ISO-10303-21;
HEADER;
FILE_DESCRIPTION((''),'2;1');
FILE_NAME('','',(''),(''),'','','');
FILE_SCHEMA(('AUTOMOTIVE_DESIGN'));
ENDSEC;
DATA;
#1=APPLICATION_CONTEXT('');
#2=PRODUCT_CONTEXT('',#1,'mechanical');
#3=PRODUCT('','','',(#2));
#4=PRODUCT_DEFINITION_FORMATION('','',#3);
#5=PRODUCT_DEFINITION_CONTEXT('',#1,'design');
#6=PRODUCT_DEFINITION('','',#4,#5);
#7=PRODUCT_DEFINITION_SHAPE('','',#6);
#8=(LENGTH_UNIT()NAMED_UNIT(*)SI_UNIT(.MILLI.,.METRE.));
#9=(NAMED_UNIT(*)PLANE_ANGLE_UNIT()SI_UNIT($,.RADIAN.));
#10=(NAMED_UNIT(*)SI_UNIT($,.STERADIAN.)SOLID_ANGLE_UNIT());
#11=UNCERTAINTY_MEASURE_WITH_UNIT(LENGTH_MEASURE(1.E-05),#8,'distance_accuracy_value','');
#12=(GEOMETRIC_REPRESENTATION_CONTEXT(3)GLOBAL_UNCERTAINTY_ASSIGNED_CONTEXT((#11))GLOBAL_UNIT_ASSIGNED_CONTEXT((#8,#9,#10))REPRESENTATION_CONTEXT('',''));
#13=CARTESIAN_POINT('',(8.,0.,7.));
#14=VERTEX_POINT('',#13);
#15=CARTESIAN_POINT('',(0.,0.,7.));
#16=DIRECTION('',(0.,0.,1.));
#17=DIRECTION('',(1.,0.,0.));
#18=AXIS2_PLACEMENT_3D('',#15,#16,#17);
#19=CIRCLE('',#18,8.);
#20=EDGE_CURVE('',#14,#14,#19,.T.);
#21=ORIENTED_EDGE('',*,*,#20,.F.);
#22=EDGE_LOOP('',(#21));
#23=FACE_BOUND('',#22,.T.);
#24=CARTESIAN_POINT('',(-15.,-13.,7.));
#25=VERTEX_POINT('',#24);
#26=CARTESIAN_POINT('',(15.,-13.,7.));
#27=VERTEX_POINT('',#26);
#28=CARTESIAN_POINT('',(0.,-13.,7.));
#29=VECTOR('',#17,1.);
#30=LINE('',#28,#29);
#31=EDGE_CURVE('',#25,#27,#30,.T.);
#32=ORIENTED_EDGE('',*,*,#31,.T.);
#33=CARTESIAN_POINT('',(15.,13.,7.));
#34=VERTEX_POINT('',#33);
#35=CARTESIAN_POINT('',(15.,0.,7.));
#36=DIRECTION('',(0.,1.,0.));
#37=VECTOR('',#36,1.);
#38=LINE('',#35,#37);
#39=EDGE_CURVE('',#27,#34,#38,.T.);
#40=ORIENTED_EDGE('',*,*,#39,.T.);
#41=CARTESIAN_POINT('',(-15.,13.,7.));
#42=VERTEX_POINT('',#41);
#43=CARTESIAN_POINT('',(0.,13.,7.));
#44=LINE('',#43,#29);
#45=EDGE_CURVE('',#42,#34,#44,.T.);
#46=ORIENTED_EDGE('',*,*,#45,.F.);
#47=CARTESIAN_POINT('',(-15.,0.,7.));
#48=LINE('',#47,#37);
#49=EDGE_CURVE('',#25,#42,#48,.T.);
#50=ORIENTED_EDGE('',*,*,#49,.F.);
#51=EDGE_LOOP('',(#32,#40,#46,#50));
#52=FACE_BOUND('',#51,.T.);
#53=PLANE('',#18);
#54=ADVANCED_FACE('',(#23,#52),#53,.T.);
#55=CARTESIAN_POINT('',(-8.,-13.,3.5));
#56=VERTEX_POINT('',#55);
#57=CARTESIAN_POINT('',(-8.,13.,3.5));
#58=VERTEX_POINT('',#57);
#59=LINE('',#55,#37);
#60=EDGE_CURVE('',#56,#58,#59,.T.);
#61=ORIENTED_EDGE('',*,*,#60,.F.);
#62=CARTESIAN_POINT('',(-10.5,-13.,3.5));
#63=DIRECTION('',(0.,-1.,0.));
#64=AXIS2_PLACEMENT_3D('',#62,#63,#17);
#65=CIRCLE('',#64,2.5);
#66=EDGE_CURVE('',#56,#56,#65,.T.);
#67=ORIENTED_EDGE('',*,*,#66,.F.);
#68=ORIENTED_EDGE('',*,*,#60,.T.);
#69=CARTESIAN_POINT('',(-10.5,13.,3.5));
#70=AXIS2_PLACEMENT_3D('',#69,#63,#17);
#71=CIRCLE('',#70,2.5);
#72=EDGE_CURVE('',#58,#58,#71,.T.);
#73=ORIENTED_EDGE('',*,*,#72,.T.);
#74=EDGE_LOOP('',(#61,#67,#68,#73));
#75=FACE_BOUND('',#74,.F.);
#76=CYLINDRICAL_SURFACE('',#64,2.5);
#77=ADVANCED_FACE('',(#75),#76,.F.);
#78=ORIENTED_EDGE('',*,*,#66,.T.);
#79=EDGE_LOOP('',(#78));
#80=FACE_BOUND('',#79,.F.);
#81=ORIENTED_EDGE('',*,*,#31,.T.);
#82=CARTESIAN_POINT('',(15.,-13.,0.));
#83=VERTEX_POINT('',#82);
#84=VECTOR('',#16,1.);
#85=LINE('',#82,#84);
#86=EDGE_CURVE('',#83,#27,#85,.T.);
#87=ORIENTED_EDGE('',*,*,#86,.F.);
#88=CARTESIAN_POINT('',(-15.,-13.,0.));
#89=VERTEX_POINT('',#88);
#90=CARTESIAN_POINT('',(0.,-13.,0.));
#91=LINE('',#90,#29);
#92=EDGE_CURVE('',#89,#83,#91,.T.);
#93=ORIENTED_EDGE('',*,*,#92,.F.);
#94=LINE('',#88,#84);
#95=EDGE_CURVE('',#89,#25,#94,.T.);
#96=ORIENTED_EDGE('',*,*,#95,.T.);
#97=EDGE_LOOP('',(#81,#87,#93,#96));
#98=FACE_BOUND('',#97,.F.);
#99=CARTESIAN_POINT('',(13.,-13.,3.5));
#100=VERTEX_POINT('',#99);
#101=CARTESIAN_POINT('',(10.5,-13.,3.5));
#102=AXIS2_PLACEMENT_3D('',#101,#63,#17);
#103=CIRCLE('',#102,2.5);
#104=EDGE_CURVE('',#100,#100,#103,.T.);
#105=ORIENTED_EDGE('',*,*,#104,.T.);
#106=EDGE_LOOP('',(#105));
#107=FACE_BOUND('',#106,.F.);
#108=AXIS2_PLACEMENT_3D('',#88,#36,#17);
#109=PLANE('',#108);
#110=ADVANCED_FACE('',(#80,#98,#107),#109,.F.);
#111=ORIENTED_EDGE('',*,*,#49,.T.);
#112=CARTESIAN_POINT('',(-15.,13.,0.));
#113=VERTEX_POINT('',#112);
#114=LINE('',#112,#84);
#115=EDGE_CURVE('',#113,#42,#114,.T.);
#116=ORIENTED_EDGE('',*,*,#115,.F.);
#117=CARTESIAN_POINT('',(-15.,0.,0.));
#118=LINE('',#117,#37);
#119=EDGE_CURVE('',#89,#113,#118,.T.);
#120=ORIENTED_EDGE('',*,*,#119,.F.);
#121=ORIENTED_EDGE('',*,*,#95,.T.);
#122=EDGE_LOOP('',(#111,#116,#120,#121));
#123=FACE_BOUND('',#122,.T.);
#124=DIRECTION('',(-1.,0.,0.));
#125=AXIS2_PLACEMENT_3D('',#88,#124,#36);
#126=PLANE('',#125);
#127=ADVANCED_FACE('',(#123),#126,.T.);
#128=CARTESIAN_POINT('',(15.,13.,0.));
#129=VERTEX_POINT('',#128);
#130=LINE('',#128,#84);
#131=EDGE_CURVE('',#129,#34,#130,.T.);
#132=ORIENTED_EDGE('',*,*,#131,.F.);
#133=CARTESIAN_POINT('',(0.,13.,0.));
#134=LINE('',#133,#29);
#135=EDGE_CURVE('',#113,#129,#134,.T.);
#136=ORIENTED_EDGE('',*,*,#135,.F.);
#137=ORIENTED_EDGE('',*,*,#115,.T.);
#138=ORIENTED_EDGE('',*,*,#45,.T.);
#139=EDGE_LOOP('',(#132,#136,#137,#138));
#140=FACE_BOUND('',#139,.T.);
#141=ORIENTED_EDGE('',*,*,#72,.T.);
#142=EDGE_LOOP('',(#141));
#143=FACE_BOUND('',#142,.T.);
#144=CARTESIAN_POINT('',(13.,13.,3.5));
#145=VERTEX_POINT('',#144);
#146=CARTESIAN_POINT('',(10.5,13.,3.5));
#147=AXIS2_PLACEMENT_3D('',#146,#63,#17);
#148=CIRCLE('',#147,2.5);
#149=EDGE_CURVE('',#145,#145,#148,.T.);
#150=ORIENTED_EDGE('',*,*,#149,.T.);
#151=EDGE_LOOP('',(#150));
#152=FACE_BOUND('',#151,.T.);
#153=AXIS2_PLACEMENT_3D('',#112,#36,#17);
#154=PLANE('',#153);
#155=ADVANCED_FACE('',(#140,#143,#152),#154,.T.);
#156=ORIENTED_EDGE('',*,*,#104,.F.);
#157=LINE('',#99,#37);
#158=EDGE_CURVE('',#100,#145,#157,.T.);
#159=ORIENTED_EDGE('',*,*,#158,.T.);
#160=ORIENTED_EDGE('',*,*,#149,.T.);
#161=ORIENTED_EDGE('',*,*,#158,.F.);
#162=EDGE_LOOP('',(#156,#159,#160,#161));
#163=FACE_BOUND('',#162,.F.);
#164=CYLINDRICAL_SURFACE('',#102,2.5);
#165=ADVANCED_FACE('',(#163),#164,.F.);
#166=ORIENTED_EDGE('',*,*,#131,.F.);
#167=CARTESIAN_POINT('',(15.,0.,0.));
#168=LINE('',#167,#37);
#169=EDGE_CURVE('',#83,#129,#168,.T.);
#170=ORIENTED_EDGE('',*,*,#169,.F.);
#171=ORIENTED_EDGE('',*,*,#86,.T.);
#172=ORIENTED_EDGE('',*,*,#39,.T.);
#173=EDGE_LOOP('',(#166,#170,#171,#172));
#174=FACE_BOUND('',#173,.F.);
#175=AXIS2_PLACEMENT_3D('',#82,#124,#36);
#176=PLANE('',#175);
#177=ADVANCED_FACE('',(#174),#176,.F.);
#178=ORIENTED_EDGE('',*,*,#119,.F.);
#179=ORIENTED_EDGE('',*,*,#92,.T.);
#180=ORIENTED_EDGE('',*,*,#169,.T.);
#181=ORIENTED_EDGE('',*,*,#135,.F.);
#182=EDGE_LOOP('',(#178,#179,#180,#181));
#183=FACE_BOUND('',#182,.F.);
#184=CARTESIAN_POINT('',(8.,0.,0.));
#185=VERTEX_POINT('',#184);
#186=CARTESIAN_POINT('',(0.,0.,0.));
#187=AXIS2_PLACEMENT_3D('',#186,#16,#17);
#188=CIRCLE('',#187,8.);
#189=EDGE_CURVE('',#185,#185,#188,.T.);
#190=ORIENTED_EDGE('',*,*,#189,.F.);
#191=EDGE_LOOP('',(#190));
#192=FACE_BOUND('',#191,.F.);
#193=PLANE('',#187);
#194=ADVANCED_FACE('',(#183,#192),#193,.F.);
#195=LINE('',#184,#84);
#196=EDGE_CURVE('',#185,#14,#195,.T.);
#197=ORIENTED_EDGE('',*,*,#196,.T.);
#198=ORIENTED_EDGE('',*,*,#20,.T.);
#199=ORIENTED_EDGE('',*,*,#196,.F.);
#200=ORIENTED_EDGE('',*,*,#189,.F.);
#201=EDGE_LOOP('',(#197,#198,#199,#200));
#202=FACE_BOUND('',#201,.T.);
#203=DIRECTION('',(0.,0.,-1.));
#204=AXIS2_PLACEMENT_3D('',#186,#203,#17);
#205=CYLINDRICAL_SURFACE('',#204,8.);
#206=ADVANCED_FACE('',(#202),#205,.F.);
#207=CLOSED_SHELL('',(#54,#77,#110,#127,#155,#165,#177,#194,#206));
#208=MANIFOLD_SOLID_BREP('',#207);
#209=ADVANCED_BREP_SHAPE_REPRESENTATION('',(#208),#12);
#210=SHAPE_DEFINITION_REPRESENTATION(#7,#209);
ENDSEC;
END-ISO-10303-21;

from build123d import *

# Parameters (mm, degrees)
SKETCH_W     = 30
SKETCH_H     = 26
SKETCH_R     = 8
PAD_DEPTH    = 7
SKETCH001_R  = 2.5
POCKET_DEPTH = 26.001


with BuildPart() as part:
    # Sketch → Pad (new body)
    with BuildSketch(Plane.XY):
        Rectangle(SKETCH_W, SKETCH_H)
        Circle(SKETCH_R, mode=Mode.SUBTRACT)
    extrude(amount=PAD_DEPTH)

    # Sketch001 (on Face3 of Pad) → Pocket (cut, through all)
    with BuildSketch(Plane.XZ.offset(13)):
        with Locations((10.5, 3.5)):
            Circle(SKETCH001_R)
        with Locations((-10.5, 3.5)):
            Circle(SKETCH001_R)
    extrude(amount=-POCKET_DEPTH, mode=Mode.SUBTRACT)


solid = part.part
